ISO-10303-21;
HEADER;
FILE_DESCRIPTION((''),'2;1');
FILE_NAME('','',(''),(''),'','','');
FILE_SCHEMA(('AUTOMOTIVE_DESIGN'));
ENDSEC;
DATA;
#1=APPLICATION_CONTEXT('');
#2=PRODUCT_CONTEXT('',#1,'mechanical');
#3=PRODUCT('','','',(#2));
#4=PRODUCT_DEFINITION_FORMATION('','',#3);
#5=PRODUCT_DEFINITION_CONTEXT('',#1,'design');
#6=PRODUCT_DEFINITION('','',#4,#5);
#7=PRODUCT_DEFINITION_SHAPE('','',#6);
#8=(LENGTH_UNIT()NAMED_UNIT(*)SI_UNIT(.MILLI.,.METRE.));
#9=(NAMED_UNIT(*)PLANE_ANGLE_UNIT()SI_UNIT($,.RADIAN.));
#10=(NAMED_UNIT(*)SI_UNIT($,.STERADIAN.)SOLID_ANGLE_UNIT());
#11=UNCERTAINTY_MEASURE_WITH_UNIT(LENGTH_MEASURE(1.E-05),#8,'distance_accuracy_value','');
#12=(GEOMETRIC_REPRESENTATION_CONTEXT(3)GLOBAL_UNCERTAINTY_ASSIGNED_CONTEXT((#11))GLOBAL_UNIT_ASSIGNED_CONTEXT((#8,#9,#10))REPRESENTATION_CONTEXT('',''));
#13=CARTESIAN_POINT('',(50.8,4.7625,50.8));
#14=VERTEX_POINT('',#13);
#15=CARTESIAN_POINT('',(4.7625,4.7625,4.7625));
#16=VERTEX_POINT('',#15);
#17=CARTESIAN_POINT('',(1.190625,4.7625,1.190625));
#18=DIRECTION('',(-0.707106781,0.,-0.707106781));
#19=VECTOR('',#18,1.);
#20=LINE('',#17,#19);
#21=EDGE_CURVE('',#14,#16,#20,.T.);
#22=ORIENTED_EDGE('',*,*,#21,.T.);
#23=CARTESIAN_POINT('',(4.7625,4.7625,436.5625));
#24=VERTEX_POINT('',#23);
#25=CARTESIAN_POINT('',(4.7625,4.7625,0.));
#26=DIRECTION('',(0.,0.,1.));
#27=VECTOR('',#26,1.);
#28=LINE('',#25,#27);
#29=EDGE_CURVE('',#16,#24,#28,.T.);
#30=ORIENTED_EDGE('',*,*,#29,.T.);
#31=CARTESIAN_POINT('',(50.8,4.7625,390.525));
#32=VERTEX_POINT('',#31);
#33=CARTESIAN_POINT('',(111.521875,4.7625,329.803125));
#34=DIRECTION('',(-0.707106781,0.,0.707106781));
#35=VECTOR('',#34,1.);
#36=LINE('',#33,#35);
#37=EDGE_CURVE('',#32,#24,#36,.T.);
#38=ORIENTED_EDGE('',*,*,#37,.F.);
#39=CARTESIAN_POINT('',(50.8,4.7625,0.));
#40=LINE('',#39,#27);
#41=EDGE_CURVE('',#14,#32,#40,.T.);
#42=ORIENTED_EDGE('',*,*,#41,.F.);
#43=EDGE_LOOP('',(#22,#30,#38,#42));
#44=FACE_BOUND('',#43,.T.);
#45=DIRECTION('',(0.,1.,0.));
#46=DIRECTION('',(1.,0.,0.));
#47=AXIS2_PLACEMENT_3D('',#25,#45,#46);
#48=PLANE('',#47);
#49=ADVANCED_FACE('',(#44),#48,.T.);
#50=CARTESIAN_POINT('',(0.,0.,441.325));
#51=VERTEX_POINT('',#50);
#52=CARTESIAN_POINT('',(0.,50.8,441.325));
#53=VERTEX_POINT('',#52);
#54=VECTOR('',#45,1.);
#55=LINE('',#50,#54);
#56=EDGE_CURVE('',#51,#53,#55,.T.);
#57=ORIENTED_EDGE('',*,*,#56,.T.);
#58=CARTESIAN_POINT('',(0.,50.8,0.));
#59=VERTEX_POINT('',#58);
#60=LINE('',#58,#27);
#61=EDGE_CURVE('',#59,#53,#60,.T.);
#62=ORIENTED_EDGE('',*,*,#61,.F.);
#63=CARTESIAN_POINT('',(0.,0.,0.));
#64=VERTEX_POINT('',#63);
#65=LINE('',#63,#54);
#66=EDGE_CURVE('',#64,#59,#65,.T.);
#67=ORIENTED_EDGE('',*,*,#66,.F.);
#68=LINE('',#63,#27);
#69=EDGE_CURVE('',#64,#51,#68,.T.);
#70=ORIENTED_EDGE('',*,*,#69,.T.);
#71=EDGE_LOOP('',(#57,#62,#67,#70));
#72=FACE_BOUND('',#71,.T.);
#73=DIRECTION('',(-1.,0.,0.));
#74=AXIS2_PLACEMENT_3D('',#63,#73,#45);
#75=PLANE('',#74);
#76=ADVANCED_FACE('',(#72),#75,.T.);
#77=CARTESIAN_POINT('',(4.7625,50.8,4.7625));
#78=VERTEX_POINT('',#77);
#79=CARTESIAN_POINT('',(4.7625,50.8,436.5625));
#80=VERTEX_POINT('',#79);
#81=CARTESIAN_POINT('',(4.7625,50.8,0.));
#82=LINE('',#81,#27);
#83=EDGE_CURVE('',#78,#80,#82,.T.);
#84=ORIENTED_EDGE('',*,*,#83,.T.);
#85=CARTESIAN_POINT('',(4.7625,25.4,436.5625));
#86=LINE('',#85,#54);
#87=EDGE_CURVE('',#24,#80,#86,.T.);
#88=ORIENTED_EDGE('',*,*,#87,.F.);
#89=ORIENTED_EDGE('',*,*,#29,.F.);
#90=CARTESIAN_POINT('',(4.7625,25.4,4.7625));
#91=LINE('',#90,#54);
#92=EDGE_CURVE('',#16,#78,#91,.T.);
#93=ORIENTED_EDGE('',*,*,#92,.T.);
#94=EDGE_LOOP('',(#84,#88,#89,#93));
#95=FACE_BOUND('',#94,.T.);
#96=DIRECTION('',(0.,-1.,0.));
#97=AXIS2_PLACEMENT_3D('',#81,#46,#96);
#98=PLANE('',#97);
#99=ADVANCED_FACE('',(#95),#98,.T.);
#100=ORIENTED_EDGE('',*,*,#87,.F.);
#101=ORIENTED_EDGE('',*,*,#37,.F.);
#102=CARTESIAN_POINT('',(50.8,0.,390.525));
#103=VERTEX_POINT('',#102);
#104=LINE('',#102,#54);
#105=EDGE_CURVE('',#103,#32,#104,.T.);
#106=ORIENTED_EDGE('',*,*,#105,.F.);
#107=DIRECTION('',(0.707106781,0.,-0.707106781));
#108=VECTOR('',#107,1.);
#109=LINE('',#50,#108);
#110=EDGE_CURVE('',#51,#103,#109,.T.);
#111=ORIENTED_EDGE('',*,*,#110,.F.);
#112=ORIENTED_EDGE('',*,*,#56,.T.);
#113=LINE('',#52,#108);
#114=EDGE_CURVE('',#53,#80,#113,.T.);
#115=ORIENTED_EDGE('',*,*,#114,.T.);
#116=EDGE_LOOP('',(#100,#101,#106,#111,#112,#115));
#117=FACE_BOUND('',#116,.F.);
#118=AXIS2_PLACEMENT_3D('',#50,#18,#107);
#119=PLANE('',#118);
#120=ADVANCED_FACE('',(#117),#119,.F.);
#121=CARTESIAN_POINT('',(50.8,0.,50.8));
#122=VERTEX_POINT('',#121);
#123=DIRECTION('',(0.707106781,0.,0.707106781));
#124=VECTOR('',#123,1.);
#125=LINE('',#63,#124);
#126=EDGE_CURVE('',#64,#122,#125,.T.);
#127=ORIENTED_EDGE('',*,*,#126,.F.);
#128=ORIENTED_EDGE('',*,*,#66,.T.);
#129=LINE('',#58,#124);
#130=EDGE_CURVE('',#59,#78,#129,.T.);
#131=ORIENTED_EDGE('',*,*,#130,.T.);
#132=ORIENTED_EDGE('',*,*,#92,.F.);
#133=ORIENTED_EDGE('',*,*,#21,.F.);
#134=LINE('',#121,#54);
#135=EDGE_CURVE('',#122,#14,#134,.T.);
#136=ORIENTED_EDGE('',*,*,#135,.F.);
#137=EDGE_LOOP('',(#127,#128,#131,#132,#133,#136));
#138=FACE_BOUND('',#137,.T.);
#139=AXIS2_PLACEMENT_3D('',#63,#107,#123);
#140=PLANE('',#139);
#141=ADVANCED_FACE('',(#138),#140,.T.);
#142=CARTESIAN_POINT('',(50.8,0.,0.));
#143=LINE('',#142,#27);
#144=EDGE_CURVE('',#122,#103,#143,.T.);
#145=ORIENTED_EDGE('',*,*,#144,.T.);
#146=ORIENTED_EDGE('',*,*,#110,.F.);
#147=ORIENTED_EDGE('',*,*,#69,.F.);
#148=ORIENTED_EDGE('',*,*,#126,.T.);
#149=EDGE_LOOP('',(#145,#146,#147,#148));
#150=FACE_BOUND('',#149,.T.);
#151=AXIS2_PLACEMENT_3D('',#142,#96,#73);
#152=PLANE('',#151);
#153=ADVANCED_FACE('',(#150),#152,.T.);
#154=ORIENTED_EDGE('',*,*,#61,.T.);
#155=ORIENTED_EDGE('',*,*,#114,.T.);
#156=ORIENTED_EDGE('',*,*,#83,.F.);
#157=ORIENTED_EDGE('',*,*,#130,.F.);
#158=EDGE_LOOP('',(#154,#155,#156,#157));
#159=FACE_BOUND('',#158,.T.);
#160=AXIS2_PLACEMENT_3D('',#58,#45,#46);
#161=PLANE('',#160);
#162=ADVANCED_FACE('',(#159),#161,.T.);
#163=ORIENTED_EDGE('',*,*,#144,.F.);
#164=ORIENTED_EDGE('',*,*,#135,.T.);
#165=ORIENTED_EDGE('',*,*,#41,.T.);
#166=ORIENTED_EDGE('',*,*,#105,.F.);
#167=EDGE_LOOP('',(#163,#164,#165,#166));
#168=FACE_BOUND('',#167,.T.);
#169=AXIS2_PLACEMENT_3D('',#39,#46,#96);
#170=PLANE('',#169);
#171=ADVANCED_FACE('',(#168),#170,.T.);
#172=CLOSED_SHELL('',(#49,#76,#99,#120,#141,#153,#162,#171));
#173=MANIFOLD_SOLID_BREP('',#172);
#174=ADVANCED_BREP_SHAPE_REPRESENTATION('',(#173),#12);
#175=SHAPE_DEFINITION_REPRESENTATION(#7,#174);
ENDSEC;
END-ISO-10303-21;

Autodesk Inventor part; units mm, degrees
ref_plane "YZ Plane" through (0, 0, 0) normal (1, 0, 0) x (0, 1, 0)
ref_plane "XZ Plane" through (0, 0, 0) normal (0, 1, 0) x (-1, 0, 0)
ref_plane "XY Plane" through (0, 0, 0) normal (0, 0, 1) x (1, 0, 0)
sketch "Sketch1" plane through (0, 0, 0) normal (0, 0, 1) x (1, 0, 0)
  line L0 (0, 0) -> (0, 50.8)
  line L1 (0, 50.8) -> (4.7625, 50.8)
  line L2 (4.7625, 50.8) -> (4.7625, 4.7625)
  line L3 (4.7625, 4.7625) -> (50.8, 4.7625)
  line L4 (50.8, 4.7625) -> (50.8, 0)
  line L5 (50.8, 0) -> (0, 0)
  dimension "d0" = 4.7625
  dimension "d1" = 50.8
  dimension "d2" = 4.7625
  dimension "d3" = 50.8
extrude "Extrusion1" add sketch "Sketch1" along normal blind 441.325
sketch "Sketch5" plane through (0, 0, 0) normal (0, -1, 0) x (1, 0, 0)
  line L0 (50.8, 441.325) -> (0, 441.325) projected
  line L1 (50.8, 0) -> (0, 0) projected
  line L2 (50.8, 0) -> (50.8, 441.325) projected
  line L3 (0, 441.325) -> (50.8, 390.525)
  line L4 (0, 0) -> (50.8, 50.8)
  dimension "d16" = 45
  dimension "d17" = 45
extrude "Extrusion5" cut sketch "Sketch5" against normal blind 50.8 contours L2 L3 L0
sketch "Sketch6" plane through (0, 0, 0) normal (0, -1, 0) x (1, 0, 0)
  line L0 (0, 0) -> (0, 441.325) projected
  line L1 (50.8, 0) -> (0, 0) projected
  line L2 (50.8, 0) -> (50.8, 390.525) projected
  line L3 (0, 0) -> (50.8, 50.8)
  dimension "d20" = 45
extrude "Extrusion6" cut sketch "Sketch6" against normal blind 50.8
properties part number "BOXC_L17P5"
